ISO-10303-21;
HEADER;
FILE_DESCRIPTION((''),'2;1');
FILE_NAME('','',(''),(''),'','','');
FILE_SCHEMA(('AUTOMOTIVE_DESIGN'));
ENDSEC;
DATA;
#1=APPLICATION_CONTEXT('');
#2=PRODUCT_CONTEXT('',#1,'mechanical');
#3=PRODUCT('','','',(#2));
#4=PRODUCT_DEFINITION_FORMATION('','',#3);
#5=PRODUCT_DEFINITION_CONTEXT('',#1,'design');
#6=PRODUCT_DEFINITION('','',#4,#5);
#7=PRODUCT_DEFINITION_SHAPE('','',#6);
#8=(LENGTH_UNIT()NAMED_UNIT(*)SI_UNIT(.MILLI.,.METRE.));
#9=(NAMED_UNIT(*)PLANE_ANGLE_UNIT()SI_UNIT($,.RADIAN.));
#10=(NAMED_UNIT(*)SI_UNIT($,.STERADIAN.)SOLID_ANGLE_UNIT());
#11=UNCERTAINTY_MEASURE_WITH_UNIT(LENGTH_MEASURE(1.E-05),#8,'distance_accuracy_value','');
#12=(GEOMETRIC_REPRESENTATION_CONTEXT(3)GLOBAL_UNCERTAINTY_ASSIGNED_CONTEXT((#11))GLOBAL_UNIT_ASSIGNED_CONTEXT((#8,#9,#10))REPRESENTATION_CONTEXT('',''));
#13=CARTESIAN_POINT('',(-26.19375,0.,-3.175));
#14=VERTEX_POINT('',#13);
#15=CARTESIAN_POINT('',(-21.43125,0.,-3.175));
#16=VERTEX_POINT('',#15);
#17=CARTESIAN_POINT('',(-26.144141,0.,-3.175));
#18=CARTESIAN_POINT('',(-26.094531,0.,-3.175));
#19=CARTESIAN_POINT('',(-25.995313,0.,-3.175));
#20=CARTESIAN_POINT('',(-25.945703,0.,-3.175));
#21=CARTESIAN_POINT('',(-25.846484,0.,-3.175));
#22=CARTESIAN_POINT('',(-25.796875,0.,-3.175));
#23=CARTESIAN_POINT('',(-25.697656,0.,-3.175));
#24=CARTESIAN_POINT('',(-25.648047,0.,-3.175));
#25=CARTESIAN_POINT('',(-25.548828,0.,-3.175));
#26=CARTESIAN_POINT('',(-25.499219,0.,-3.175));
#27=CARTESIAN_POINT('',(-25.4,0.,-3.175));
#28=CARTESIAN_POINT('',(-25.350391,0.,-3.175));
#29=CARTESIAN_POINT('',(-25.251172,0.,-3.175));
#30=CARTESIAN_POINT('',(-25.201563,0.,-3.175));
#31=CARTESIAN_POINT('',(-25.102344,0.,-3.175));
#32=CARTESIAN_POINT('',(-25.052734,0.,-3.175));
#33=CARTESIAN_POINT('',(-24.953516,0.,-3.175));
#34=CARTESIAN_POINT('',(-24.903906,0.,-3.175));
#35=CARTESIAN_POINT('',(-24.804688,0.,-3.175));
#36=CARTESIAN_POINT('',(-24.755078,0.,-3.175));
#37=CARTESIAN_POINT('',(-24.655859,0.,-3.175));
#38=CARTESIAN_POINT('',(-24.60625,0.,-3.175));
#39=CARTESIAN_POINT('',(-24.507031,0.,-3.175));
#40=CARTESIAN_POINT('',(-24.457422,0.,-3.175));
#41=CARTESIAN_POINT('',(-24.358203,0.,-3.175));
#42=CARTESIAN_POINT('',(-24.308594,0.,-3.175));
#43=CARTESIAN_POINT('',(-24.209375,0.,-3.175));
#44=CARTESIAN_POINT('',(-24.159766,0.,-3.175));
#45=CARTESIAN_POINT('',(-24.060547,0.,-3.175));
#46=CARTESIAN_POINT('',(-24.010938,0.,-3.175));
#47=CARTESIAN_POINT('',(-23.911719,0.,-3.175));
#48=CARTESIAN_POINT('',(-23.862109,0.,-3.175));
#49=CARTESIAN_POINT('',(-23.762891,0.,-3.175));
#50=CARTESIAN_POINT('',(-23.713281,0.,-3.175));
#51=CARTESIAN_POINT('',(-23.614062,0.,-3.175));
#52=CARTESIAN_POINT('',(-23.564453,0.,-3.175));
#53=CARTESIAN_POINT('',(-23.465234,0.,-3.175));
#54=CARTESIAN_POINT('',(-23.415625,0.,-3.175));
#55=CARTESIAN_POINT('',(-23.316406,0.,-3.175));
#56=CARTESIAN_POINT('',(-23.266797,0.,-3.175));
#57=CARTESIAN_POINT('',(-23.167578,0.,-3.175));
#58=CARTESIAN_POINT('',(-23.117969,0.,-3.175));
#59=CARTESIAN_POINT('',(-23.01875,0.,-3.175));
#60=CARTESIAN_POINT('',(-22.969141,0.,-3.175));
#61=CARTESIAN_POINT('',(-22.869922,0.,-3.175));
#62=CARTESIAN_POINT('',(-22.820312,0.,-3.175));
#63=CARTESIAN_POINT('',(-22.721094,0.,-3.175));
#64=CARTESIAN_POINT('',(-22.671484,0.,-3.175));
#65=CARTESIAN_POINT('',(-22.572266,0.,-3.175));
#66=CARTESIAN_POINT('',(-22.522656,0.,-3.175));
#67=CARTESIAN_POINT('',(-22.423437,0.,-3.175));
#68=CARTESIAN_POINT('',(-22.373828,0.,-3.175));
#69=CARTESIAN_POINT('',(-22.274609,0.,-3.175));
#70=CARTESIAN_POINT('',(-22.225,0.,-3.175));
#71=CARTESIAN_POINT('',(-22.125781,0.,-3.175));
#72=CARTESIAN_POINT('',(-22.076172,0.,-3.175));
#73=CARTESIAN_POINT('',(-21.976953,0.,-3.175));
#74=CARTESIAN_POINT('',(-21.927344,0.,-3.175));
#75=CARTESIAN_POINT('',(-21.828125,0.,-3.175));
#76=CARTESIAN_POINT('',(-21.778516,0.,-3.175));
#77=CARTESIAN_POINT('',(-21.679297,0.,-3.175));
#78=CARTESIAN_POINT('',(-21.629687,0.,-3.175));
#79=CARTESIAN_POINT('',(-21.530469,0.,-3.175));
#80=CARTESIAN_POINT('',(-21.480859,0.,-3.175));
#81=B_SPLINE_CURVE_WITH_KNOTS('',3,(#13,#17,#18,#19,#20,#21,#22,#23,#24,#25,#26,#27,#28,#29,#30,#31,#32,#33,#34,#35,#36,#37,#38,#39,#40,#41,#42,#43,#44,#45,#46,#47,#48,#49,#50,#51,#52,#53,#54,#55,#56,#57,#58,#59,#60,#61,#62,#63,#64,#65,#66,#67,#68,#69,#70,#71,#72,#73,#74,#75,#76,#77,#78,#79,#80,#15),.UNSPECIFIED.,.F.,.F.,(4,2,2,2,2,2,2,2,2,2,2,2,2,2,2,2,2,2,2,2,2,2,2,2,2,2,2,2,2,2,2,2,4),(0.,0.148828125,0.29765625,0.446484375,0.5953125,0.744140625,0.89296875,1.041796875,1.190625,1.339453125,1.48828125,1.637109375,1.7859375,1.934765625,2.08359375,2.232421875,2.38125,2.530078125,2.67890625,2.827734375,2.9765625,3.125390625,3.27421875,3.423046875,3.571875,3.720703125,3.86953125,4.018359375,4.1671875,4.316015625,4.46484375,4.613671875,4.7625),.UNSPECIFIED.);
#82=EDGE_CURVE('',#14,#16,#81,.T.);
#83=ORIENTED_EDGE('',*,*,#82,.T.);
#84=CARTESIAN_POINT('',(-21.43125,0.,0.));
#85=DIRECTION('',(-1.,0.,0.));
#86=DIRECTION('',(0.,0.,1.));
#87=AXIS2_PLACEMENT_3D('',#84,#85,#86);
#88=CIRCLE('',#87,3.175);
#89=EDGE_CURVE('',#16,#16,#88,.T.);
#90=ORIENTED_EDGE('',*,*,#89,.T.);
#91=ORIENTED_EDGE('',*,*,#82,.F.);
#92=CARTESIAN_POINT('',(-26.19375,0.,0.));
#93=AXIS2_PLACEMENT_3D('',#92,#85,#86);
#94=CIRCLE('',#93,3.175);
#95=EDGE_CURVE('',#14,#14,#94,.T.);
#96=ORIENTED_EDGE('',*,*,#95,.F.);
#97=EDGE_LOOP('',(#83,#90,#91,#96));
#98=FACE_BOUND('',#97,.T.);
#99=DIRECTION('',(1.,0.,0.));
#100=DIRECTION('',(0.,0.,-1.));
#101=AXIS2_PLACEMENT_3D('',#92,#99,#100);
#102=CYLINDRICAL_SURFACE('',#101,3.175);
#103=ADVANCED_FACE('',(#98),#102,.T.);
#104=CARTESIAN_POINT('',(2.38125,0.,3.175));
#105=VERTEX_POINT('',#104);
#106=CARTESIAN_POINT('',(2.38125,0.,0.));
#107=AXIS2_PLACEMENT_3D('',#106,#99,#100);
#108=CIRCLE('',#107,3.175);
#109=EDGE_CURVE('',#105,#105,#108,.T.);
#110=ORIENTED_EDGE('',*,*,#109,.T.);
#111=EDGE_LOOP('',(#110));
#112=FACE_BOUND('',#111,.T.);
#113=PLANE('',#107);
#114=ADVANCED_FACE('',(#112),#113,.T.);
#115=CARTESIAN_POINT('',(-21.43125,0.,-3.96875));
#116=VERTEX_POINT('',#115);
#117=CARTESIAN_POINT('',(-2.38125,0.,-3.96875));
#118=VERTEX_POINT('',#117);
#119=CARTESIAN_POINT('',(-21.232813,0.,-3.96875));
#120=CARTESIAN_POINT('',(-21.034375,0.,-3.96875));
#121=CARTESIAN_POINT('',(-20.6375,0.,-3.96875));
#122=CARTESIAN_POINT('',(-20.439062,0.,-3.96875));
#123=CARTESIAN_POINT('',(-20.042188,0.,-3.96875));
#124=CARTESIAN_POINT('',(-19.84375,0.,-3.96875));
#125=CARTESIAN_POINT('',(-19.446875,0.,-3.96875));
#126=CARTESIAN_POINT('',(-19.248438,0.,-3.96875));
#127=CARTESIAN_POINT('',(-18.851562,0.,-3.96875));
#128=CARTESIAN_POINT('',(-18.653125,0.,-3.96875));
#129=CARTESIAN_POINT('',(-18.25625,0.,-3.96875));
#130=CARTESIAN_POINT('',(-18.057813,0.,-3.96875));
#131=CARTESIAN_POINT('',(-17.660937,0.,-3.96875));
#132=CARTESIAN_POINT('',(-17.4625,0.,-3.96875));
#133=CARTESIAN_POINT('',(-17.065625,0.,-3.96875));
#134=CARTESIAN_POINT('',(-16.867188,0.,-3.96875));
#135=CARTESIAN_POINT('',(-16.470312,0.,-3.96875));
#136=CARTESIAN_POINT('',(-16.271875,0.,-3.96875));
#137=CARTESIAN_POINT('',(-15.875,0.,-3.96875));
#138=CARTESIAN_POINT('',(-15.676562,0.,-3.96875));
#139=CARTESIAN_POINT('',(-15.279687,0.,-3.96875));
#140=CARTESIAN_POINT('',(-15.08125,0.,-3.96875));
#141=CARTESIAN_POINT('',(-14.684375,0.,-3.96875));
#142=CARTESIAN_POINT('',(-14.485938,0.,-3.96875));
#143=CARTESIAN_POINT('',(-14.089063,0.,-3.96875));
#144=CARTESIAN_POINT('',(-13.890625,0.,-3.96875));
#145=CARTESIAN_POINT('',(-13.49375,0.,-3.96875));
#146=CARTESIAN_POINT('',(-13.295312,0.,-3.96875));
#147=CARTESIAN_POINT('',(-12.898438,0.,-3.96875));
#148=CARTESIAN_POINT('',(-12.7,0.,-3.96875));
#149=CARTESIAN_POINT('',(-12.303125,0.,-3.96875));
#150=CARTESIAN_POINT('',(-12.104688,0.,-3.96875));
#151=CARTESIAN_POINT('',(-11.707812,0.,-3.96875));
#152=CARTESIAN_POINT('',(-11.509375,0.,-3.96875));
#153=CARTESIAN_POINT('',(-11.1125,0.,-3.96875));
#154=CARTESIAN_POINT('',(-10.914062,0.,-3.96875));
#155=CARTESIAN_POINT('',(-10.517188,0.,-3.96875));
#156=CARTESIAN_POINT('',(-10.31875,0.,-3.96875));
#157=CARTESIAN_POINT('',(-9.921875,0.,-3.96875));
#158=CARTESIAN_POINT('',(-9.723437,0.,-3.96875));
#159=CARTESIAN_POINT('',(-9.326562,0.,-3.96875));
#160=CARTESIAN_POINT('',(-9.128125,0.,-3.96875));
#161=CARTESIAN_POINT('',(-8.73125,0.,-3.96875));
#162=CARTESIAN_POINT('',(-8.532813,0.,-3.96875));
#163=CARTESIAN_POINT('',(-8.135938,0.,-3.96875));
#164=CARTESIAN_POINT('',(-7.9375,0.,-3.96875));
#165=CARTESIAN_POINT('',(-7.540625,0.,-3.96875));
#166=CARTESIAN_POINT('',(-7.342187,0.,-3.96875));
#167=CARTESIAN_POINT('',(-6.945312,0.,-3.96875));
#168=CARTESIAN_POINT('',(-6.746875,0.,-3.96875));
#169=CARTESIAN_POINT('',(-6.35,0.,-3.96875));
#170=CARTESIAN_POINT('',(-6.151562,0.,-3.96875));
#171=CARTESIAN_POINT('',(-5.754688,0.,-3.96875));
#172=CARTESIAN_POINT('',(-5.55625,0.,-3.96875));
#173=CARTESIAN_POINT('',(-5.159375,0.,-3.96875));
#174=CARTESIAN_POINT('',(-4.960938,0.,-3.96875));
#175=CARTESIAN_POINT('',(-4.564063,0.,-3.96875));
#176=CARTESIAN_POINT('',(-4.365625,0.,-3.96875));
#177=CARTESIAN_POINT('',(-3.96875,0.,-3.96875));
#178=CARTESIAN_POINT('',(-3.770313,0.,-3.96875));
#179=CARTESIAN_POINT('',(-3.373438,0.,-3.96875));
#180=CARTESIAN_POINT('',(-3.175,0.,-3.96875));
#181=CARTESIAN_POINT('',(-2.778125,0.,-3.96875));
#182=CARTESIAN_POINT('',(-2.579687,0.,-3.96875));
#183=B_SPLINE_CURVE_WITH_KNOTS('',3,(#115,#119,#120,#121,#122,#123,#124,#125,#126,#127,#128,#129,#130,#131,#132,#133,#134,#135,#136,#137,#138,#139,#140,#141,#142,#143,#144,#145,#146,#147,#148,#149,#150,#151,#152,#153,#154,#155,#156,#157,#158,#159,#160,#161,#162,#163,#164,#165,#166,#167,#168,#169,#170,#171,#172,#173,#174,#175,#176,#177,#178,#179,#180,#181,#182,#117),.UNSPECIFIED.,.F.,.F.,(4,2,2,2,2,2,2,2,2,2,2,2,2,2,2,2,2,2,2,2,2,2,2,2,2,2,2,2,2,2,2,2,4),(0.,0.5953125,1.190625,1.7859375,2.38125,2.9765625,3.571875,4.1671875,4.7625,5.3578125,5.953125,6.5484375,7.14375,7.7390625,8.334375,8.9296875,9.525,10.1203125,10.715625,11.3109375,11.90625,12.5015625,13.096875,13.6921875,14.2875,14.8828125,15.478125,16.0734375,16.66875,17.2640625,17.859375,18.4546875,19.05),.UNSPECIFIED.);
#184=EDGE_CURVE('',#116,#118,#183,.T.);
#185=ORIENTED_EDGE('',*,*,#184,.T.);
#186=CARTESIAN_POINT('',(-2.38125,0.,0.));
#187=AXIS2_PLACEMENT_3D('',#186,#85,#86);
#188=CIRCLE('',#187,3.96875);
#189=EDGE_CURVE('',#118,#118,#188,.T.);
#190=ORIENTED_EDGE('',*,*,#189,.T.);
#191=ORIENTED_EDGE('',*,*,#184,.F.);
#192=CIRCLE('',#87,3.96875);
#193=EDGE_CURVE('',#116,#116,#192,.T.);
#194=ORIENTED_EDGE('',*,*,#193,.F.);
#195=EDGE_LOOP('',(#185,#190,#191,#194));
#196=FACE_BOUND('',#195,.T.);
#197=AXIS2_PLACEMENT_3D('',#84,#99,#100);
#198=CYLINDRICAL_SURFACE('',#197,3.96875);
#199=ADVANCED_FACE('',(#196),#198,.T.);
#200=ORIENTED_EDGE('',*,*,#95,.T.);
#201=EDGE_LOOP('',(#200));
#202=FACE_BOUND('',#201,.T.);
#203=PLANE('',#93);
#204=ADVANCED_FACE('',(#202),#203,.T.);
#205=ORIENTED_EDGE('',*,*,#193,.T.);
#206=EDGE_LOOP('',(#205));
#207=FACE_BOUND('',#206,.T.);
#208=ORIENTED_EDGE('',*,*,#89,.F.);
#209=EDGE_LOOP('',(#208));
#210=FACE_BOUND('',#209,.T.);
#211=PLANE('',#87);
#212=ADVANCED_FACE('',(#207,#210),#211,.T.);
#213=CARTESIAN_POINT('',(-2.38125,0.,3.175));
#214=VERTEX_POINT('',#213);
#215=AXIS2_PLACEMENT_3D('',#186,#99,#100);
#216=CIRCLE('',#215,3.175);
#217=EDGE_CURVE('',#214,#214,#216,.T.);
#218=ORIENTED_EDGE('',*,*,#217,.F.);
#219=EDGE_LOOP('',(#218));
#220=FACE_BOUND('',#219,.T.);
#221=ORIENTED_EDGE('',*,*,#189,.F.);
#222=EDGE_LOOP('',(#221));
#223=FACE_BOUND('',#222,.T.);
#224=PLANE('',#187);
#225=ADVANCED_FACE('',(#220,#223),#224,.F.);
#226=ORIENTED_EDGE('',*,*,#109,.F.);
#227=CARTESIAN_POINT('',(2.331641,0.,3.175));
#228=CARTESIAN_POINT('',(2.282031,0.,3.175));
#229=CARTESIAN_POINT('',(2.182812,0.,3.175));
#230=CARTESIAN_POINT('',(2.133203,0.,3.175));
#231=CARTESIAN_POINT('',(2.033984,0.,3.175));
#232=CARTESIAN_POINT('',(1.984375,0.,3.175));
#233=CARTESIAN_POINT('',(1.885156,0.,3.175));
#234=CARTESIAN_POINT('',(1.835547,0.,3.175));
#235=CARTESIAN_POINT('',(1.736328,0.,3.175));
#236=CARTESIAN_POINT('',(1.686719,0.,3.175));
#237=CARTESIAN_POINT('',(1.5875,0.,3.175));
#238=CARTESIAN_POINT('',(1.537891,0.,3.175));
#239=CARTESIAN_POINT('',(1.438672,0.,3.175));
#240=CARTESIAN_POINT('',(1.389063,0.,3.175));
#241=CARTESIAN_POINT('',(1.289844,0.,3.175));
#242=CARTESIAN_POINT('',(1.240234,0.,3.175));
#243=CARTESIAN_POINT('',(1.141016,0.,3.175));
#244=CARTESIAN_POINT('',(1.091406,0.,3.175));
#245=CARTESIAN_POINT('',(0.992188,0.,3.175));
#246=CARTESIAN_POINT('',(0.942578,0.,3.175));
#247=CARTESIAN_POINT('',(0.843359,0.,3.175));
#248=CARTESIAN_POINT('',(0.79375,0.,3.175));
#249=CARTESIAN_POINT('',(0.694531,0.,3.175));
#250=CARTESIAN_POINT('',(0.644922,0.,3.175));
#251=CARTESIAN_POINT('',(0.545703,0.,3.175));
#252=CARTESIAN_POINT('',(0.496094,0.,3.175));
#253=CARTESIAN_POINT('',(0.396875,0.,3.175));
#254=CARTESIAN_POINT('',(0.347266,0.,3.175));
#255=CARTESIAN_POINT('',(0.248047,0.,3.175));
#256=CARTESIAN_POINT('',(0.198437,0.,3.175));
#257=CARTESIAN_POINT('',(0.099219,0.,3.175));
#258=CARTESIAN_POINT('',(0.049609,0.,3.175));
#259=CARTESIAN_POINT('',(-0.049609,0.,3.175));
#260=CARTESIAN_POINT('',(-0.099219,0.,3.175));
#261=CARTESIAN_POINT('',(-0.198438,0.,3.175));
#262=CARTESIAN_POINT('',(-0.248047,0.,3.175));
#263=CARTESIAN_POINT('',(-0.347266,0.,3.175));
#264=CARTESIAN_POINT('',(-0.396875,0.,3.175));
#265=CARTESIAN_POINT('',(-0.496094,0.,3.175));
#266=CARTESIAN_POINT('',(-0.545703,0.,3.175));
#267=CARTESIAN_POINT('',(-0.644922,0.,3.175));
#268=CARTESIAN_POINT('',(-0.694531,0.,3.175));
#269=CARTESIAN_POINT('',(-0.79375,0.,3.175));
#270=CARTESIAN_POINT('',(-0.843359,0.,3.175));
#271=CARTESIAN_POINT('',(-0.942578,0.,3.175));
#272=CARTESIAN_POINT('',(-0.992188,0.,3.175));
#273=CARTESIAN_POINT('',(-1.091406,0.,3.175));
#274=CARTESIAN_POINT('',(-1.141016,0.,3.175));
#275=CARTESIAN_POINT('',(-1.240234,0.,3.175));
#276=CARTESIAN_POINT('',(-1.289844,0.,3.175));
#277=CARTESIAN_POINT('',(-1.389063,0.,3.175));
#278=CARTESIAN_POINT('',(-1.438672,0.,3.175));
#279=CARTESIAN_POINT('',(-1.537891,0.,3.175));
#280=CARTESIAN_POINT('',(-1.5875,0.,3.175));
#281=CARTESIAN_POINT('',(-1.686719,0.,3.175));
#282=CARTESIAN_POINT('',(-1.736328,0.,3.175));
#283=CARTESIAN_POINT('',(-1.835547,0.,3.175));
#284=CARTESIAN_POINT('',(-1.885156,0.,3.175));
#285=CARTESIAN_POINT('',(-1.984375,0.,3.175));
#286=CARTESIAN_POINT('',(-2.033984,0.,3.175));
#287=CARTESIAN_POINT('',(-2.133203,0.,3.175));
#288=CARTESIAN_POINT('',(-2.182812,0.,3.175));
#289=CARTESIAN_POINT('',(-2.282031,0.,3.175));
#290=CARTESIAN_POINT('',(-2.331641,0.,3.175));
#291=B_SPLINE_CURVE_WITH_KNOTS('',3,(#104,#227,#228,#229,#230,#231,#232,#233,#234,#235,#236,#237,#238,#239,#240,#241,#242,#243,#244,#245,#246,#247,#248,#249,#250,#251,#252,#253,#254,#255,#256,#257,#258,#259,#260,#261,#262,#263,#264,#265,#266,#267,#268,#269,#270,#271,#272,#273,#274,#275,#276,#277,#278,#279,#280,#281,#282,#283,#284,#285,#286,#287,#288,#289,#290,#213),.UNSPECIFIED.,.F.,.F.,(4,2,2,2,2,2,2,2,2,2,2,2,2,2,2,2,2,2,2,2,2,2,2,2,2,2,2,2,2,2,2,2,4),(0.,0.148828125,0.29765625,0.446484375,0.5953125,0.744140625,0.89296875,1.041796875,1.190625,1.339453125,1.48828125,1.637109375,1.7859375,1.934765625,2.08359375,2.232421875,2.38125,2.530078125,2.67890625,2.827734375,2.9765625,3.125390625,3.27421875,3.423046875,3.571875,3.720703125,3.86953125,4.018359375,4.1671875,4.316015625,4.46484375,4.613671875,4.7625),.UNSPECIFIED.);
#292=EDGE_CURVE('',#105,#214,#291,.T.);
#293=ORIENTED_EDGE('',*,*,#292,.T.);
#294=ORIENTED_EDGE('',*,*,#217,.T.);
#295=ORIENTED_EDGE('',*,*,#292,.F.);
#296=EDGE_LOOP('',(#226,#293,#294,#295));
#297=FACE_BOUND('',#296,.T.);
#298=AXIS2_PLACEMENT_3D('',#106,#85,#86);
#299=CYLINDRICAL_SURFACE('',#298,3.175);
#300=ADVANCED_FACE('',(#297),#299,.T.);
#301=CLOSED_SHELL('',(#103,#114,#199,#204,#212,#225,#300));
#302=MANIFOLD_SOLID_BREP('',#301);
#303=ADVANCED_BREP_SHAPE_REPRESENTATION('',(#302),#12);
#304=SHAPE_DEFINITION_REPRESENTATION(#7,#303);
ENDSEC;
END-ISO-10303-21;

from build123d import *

# Parameters (mm, degrees)
SKETCH2_R           = 3.175
BOSS_EXTRUDE1_DEPTH = 2.38125
SKETCH3_R           = 3.96875
BOSS_EXTRUDE2_DEPTH = 19.05
SKETCH5_R           = 3.175
BOSS_EXTRUDE3_DEPTH = 4.7625


with BuildPart() as part:
    # Sketch2 → Boss-Extrude1 (new, symmetric)
    with BuildSketch(Plane(origin=(0, 0, 0), x_dir=(0, 0, -1), z_dir=(1, 0, 0))):
        with Locations(Location((0, 0, 0), (0, 0, 180))):
            Circle(SKETCH2_R)
    extrude(amount=BOSS_EXTRUDE1_DEPTH, both=True)

    # Sketch3 → Boss-Extrude2 (add)
    with BuildSketch(Plane.ZY.offset(2.38125)):
        with Locations(Location((0, 0, 0), (0, 0, 180))):
            Circle(SKETCH3_R)
    extrude(amount=BOSS_EXTRUDE2_DEPTH)

    # Sketch5 → Boss-Extrude3 (add)
    with BuildSketch(Plane.ZY.offset(21.43125)):
        Circle(SKETCH5_R)
    extrude(amount=BOSS_EXTRUDE3_DEPTH)


solid = part.part
